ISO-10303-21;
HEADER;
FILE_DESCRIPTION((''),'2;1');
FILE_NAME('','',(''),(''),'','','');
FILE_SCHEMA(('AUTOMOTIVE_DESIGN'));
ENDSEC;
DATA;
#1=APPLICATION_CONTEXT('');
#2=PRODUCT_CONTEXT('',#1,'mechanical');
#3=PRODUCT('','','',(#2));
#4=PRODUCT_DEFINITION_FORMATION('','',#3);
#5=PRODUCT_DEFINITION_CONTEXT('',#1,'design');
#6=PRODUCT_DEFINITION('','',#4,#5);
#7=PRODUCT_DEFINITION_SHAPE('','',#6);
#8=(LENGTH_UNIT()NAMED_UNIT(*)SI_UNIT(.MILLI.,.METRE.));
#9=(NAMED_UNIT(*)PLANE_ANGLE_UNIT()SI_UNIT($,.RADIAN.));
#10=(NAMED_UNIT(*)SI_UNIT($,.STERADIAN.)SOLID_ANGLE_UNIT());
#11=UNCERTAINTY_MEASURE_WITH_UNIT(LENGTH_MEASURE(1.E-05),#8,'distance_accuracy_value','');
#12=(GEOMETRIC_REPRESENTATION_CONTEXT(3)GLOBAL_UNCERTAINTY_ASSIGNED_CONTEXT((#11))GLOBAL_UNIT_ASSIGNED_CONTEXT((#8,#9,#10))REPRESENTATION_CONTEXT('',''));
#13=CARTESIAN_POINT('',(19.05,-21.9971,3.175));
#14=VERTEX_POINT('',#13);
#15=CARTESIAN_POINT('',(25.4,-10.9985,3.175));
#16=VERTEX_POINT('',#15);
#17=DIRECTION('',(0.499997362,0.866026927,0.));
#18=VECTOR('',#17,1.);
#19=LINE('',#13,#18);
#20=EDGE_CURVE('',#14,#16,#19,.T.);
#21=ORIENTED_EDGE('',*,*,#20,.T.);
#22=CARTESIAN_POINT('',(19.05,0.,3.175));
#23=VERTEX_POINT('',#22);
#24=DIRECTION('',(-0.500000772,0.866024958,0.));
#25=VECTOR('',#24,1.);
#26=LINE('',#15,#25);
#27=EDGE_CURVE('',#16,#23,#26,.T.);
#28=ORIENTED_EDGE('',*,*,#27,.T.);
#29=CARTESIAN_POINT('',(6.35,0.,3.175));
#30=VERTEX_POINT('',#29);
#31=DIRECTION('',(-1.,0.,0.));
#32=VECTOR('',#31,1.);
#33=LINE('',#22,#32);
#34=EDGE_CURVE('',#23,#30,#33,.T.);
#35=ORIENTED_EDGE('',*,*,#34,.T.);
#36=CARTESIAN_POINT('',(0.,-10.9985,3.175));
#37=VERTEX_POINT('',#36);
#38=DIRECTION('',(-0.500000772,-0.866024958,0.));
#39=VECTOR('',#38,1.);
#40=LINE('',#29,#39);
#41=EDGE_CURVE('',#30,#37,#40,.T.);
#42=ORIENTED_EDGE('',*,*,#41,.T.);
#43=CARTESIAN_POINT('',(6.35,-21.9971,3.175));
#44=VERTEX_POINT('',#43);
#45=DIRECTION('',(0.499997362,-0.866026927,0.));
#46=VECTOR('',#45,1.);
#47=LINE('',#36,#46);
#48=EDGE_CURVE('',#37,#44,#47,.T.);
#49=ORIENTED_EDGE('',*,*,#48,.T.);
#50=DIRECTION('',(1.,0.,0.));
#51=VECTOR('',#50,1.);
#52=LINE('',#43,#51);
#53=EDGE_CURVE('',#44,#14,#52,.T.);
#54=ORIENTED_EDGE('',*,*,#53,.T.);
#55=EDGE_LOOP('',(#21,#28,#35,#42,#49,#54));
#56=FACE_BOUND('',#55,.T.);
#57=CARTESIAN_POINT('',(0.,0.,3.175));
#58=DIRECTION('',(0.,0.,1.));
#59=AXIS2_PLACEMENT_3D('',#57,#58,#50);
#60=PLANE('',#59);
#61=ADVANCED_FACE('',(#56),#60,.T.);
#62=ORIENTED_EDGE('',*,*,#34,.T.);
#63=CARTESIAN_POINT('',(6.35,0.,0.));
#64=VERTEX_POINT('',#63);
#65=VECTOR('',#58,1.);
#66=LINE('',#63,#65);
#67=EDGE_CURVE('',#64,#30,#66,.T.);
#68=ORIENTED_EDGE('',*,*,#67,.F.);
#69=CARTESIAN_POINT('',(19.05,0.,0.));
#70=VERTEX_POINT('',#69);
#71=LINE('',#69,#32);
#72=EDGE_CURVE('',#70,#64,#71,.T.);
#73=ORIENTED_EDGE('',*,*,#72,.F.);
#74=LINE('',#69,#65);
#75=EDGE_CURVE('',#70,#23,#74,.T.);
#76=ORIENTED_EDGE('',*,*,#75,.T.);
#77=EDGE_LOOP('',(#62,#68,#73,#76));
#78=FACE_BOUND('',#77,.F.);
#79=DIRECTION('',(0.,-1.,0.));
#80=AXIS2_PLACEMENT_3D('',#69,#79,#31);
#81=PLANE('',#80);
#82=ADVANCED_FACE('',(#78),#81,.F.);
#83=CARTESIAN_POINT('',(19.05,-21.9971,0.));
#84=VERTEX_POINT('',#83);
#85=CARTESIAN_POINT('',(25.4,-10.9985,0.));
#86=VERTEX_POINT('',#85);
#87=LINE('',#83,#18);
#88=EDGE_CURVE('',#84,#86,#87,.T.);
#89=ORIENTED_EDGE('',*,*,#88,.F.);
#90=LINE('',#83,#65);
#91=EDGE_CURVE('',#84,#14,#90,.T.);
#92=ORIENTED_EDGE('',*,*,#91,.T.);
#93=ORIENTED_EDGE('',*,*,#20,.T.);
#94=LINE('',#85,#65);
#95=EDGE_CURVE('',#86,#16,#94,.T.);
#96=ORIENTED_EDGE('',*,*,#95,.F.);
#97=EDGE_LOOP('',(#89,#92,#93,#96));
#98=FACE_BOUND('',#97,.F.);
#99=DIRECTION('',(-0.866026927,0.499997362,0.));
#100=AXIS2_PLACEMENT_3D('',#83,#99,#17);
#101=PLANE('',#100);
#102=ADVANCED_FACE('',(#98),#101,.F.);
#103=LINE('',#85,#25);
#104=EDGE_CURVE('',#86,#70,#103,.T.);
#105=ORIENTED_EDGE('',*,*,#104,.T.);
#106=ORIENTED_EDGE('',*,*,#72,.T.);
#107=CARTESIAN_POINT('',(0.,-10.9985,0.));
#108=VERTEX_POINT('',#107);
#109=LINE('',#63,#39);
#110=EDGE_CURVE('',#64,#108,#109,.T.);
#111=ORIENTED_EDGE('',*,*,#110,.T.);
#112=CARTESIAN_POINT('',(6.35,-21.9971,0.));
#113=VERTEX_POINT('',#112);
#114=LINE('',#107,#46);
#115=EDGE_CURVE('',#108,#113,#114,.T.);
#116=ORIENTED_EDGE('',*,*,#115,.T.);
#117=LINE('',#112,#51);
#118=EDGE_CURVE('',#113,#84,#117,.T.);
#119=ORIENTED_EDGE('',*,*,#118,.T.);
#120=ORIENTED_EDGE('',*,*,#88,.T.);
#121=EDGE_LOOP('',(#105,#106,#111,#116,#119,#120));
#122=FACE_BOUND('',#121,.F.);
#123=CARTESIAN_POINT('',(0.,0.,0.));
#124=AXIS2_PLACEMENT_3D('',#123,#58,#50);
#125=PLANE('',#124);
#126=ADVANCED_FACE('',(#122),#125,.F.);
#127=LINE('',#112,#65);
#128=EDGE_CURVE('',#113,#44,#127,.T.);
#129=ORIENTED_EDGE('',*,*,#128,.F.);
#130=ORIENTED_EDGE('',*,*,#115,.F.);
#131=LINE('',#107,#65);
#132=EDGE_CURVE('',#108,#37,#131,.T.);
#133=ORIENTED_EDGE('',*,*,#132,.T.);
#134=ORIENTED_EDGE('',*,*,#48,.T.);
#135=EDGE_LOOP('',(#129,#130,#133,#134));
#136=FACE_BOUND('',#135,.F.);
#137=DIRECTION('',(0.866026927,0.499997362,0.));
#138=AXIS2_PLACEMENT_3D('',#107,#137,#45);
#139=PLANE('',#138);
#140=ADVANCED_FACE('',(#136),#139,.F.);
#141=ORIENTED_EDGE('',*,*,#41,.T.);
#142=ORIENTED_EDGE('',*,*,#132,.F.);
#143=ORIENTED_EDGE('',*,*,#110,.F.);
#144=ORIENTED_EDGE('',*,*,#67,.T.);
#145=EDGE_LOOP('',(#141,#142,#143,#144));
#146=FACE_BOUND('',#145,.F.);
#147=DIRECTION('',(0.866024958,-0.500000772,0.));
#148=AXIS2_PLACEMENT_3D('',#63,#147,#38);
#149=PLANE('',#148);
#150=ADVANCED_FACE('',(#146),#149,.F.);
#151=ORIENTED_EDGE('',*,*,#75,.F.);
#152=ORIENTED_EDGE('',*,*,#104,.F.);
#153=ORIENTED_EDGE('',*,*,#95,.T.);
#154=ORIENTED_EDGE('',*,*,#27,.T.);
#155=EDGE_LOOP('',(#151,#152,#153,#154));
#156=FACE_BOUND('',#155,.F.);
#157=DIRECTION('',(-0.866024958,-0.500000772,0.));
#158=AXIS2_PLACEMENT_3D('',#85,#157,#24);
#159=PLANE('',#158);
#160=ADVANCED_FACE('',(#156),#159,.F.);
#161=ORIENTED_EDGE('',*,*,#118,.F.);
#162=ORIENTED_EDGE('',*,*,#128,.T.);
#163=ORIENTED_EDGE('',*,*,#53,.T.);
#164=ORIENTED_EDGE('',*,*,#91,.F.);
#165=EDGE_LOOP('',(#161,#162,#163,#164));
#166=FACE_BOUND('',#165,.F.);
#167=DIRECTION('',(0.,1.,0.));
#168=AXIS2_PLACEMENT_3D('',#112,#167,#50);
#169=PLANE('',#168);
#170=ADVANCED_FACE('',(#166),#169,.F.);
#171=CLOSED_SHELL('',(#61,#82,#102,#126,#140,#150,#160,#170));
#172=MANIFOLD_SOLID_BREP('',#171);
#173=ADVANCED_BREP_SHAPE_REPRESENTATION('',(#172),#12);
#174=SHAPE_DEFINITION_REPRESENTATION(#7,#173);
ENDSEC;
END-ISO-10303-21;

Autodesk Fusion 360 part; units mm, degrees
sketch "Hexagon" plane through (0, 0, 0) normal (0, 0, 1) x (1, 0, 0)
  line L0 (6.35, 0) -> (0, -10.9985)
  line L1 (19.05, 0) -> (6.35, 0)
  line L2 (19.05, -21.9971) -> (25.4, -10.9985)
  line L3 (25.4, -10.9985) -> (19.05, 0)
  line L4 (0, -10.9985) -> (6.35, -21.9971)
  line L5 (6.35, -21.9971) -> (19.05, -21.9971)
extrude "Extrude1" add sketch "Hexagon" along normal blind 3.175
